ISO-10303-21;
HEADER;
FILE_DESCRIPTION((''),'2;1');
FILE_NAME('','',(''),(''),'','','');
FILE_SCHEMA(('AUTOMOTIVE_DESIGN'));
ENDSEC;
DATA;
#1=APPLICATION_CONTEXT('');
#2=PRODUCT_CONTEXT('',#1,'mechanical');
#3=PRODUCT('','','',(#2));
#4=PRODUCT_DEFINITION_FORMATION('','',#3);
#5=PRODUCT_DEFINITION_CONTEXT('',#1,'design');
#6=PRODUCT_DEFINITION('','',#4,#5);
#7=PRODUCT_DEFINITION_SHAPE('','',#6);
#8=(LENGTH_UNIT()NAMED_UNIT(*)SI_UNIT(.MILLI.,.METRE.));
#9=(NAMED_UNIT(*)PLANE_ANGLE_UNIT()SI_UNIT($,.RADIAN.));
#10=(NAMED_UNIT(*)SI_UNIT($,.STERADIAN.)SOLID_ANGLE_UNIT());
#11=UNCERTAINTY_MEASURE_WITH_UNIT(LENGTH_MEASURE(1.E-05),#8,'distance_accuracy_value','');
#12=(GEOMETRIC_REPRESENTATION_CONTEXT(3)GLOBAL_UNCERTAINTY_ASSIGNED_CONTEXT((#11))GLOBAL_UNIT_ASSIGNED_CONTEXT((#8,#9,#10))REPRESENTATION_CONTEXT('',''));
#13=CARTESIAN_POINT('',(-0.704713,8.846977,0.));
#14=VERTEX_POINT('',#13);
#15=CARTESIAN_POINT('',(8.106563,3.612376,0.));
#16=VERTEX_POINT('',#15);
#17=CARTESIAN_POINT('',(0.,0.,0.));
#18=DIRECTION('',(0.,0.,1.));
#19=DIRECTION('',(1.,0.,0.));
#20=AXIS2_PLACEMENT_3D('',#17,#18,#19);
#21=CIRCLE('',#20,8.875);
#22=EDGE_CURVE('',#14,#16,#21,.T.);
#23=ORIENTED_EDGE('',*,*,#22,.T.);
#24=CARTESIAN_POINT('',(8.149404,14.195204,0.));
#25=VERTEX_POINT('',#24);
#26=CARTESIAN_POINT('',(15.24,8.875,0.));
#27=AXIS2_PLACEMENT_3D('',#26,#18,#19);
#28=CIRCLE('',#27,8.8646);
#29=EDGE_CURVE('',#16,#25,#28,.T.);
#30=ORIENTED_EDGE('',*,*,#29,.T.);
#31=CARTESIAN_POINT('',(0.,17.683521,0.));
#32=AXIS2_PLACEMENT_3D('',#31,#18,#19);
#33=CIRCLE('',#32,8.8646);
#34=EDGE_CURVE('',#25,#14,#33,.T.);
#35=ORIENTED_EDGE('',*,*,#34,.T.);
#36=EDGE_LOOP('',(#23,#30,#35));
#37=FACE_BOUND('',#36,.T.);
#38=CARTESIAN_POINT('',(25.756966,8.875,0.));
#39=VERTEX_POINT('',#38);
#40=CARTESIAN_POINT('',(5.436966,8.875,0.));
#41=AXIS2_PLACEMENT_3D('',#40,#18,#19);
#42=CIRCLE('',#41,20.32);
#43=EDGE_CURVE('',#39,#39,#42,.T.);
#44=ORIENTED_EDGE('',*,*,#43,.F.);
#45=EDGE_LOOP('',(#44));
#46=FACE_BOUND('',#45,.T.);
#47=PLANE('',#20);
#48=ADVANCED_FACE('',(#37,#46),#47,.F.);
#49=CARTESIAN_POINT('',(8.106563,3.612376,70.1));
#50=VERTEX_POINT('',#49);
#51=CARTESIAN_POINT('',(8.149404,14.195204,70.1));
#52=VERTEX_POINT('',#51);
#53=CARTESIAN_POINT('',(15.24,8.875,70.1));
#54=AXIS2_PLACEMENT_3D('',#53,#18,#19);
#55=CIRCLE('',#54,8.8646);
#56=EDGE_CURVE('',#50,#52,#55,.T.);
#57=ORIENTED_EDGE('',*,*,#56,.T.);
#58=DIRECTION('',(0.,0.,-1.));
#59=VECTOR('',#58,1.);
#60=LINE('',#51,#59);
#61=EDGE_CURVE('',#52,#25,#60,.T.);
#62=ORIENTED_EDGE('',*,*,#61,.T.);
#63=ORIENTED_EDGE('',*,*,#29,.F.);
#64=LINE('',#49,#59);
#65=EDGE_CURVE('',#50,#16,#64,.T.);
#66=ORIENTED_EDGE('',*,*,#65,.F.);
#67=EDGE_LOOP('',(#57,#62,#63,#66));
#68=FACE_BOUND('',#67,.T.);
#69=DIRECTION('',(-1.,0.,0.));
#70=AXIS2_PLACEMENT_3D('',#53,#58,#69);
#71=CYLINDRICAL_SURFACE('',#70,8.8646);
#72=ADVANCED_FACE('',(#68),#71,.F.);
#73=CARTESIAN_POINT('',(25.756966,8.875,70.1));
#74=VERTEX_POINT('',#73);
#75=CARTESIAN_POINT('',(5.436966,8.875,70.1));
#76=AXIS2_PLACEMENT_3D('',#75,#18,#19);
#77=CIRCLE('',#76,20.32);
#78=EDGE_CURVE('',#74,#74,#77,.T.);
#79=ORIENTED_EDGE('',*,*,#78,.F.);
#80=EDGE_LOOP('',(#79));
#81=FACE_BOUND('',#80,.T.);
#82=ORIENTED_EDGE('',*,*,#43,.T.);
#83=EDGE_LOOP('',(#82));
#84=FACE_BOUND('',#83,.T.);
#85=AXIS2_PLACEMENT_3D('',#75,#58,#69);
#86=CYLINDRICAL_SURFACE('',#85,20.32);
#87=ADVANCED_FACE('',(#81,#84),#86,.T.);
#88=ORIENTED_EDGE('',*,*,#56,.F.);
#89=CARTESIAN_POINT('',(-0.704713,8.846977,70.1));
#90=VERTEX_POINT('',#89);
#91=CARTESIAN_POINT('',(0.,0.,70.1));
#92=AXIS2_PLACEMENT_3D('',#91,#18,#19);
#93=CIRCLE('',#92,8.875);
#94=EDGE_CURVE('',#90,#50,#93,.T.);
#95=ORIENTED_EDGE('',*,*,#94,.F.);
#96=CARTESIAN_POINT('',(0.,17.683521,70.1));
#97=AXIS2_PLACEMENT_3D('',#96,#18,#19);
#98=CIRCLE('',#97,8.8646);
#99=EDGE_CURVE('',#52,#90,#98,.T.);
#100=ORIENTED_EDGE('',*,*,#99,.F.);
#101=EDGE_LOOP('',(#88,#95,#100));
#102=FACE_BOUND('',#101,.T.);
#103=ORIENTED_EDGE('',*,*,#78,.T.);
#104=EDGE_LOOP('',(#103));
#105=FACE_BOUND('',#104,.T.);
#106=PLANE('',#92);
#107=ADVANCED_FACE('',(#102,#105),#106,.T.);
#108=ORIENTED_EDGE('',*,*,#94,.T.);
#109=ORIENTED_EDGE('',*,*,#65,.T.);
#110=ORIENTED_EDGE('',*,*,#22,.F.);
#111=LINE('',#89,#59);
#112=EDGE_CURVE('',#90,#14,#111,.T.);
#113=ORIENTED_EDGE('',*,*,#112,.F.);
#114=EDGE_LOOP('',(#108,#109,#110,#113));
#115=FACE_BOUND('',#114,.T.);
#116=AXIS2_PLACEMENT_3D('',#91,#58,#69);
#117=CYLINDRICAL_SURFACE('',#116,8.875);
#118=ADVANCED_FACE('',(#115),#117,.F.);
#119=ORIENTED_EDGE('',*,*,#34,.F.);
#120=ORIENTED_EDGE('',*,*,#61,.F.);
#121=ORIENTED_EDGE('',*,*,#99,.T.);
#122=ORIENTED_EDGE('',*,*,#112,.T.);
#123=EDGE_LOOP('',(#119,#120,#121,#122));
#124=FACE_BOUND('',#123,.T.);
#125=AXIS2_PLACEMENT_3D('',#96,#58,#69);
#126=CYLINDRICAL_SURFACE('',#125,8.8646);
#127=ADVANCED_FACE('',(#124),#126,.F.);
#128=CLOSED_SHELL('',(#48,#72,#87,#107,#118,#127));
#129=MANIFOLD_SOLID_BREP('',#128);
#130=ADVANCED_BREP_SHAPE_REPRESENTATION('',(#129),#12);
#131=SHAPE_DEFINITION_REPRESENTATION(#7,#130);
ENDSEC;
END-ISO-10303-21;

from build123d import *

# Parameters (mm, degrees)
SKETCH1_R           = 20.32
BOSS_EXTRUDE2_DEPTH = 70.1


with BuildPart() as part:
    # Sketch1 → Boss-Extrude2 (new body)
    with BuildSketch(Plane.XY):
        with Locations((5.436965925, 8.875)):
            Circle(SKETCH1_R)
        with BuildLine():
            ThreePointArc((8.106562975, 3.61237619), (8.680765272, 1.846602096), (8.875, 0))
            ThreePointArc((8.875, 0), (-6.021266525, -6.519967365), (-0.704712549, 8.84697718))
            ThreePointArc((-0.704712549, 8.84697718), (-6.013906314, 24.19612946), (8.8646, 17.683521379))
            ThreePointArc((8.8646, 17.683521379), (8.683960375, 15.903081724), (8.149403519, 14.195204385))
            ThreePointArc((8.149403519, 14.195204385), (18.04408912, 17.284412427), (24.1046, 8.875))
            ThreePointArc((24.1046, 8.875), (18.010024125, 0.454305284), (8.106562975, 3.61237619))
        make_face(mode=Mode.SUBTRACT)
    extrude(amount=BOSS_EXTRUDE2_DEPTH)


solid = part.part
